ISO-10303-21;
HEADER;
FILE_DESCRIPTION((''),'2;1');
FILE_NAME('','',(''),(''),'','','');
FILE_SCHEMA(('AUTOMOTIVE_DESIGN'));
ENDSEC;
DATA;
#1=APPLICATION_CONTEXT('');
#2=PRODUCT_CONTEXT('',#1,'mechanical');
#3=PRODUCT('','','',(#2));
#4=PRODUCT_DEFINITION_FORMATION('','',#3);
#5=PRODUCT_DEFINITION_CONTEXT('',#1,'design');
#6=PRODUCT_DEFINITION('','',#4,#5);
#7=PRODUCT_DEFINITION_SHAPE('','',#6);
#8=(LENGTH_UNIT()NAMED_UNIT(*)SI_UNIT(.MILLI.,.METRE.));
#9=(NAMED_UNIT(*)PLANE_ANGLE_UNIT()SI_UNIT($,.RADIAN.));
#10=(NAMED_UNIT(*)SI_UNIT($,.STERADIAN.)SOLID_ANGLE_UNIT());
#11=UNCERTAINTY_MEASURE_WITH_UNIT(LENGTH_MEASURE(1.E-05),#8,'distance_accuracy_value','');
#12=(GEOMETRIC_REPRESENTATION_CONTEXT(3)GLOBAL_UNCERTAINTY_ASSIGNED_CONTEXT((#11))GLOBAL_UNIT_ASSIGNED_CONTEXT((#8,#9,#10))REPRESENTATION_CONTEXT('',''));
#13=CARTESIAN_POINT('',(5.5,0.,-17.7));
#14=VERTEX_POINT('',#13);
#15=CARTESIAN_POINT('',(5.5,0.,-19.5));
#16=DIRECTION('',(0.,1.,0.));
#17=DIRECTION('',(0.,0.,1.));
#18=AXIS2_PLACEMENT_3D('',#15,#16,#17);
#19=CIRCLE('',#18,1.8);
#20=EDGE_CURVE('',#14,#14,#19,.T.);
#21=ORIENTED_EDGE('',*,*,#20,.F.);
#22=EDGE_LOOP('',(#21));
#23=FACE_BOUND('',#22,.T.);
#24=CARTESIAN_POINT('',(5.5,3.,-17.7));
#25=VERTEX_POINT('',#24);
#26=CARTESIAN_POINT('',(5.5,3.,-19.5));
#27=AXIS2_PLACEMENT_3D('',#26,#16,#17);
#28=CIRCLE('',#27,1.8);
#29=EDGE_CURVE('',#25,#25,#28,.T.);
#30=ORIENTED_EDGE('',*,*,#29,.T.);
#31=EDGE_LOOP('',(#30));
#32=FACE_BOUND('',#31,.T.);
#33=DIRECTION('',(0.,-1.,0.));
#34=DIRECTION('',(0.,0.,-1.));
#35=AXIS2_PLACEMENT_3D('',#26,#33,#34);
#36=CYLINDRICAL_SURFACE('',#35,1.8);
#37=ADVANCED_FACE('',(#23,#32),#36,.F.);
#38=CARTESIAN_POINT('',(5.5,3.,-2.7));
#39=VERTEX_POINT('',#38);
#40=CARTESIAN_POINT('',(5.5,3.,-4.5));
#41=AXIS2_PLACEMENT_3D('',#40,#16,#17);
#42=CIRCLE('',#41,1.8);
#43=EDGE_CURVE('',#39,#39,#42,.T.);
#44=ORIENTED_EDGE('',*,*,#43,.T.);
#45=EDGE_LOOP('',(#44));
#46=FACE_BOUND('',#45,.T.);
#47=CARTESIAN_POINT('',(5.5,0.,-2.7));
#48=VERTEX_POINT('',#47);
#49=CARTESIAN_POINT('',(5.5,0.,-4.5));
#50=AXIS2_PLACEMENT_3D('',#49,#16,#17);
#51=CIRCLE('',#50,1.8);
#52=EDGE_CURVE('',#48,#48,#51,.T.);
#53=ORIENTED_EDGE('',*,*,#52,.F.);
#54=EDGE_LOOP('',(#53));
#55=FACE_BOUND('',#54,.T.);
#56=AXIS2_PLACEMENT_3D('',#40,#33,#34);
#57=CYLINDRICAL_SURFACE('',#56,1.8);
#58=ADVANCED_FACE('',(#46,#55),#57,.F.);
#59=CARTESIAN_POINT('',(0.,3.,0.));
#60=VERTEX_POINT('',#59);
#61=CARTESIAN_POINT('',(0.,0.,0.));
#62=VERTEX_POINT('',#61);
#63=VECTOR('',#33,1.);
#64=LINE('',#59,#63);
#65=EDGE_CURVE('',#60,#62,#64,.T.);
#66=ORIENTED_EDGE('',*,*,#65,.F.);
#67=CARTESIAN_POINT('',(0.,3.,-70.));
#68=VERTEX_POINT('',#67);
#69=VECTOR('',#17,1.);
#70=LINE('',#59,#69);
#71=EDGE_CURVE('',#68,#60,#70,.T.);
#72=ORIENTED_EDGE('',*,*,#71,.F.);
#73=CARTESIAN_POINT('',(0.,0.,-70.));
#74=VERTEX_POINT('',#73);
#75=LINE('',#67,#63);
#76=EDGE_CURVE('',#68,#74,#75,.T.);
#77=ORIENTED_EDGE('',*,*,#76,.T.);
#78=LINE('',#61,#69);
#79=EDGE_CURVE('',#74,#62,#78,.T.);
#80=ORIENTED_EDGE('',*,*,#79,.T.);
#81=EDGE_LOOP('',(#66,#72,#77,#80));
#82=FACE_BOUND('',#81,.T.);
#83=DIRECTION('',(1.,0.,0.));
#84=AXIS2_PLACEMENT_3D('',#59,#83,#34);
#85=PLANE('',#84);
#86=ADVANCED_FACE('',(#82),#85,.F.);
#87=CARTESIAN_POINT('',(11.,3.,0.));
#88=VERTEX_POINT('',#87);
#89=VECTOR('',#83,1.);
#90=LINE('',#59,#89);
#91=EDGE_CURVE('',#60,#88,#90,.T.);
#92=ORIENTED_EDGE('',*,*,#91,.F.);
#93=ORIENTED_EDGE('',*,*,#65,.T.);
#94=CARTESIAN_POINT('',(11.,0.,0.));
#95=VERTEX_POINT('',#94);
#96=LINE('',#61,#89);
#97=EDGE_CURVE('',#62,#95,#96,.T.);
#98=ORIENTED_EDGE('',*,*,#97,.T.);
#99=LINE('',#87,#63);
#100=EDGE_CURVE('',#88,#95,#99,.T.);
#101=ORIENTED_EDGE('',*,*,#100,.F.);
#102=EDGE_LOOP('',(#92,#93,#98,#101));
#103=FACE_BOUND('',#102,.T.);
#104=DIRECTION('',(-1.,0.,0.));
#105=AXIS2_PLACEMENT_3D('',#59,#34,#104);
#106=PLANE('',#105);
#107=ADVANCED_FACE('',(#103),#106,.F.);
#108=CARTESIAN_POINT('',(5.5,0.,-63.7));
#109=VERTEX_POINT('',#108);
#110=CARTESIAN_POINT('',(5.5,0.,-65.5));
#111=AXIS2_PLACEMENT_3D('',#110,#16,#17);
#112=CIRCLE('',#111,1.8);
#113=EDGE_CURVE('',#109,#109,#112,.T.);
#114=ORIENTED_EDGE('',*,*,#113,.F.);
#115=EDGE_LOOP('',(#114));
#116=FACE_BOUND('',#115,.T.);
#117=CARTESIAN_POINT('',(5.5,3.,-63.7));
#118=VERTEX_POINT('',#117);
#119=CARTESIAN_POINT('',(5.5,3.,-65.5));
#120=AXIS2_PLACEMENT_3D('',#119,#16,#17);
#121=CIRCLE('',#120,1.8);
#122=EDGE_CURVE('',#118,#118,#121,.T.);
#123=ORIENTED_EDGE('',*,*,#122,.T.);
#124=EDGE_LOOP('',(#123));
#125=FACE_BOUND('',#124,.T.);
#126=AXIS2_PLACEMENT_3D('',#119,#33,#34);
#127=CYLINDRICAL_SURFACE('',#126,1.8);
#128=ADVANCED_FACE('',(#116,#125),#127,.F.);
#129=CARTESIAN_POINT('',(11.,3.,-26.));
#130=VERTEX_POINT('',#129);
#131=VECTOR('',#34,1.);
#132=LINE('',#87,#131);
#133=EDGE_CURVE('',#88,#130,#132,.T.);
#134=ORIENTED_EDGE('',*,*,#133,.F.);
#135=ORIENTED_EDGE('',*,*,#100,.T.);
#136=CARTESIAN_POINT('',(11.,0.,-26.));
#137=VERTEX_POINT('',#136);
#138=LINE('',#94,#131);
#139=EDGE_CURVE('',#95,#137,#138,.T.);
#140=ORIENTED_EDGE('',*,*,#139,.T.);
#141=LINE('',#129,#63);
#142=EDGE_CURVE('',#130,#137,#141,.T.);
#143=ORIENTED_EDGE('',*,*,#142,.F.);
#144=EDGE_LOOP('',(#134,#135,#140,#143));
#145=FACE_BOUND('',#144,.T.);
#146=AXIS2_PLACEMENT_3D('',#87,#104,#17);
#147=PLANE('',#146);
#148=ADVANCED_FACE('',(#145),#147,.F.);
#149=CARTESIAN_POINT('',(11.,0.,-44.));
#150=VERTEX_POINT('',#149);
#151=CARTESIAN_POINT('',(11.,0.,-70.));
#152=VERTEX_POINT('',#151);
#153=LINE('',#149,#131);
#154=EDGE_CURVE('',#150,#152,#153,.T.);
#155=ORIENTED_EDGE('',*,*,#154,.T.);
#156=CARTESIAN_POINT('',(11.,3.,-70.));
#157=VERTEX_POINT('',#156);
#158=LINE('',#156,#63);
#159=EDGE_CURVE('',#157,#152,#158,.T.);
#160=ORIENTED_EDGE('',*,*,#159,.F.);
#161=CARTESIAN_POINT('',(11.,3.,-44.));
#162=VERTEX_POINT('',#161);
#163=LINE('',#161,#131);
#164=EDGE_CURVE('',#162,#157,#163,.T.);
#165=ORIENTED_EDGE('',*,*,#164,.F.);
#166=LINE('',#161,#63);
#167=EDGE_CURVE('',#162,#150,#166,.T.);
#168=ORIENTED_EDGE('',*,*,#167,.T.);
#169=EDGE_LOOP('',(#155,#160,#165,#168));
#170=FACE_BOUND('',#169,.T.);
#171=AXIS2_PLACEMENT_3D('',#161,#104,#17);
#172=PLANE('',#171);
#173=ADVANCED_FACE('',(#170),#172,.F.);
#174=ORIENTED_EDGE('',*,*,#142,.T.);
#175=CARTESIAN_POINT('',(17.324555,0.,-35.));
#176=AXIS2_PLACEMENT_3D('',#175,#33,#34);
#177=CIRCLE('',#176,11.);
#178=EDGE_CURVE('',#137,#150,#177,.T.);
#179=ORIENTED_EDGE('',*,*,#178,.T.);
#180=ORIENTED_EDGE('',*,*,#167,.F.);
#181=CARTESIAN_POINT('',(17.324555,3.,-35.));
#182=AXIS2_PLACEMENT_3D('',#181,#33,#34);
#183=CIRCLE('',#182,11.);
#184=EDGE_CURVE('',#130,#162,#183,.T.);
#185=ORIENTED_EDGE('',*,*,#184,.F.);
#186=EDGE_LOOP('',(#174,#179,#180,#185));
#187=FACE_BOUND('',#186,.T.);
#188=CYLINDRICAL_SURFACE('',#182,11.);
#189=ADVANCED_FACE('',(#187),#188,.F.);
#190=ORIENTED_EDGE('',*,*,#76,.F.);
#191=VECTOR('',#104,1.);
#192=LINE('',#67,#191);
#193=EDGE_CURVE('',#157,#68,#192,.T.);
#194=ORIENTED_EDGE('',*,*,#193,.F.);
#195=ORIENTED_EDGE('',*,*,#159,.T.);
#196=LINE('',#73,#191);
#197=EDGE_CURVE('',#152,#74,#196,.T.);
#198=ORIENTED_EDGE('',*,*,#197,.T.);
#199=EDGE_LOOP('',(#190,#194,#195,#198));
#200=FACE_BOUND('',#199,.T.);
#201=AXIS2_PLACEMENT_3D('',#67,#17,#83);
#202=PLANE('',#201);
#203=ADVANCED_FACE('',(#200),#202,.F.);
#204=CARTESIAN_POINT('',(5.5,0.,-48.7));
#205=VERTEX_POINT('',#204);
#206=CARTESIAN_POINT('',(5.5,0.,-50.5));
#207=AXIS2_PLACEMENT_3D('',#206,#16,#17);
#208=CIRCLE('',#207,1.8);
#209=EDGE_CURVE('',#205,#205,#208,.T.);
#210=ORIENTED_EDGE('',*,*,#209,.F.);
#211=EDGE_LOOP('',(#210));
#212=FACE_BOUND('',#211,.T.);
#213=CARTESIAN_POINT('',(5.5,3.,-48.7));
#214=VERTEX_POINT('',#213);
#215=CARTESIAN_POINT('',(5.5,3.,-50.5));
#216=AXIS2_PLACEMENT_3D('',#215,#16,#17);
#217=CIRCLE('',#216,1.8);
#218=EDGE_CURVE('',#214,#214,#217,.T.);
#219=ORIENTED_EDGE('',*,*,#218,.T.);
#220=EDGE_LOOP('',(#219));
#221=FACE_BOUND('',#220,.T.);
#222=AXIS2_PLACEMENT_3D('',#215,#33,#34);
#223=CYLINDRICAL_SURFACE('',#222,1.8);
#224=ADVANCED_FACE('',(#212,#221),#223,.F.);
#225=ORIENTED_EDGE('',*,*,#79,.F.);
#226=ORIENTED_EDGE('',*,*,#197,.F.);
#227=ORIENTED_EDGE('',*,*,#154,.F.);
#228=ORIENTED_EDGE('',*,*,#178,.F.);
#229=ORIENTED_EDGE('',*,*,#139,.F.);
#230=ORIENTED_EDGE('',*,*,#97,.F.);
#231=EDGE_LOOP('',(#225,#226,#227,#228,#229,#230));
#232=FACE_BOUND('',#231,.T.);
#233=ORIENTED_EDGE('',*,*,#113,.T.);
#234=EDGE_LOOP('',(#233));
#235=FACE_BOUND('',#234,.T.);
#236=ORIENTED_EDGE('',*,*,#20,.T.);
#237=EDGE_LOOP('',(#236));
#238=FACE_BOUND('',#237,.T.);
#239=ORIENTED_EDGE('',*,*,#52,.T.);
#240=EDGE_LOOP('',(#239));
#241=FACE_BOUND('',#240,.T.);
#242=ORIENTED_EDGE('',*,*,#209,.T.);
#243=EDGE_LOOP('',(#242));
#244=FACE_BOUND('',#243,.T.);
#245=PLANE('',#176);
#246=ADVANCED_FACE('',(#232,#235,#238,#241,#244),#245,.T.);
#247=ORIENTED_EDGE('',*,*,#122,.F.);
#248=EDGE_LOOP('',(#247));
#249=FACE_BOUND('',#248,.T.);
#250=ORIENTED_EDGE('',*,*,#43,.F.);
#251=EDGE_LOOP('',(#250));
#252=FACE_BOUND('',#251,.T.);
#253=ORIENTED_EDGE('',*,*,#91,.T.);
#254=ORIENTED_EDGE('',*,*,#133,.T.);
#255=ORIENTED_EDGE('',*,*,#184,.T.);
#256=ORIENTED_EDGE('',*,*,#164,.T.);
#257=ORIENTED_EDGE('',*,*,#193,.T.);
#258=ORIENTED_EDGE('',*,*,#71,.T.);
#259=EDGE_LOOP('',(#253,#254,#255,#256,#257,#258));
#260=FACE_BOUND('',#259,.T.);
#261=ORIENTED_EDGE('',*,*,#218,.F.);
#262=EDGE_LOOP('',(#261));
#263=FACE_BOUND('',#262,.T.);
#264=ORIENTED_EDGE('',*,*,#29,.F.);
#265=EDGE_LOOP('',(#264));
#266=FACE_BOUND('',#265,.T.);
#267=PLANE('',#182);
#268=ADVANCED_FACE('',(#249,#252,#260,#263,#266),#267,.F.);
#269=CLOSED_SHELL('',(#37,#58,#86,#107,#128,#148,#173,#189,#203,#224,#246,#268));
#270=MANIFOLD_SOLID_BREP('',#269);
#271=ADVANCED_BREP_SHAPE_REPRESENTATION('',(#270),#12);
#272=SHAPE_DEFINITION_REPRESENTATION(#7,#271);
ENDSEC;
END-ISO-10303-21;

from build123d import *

# Parameters (mm, degrees)
SKETCH1_R           = 1.8
BOSS_EXTRUDE1_DEPTH = 3


with BuildPart() as part:
    # Sketch1 → Boss-Extrude1 (new body)
    with BuildSketch(Plane(origin=(0, 0, 0), x_dir=(1, 0, 0), z_dir=(0, 1, 0))):
        with BuildLine():
            Line((11, 44), (11, 70))
            Line((11, 70), (0, 70))
            Line((0, 70), (0, 0))
            Line((0, 0), (11, 0))
            Line((11, 0), (11, 26))
            ThreePointArc((11, 26), (6.32455532, 35), (11, 44))
        make_face()
        with Locations((5.5, 65.5)):
            Circle(SKETCH1_R, mode=Mode.SUBTRACT)
        with Locations((5.5, 4.5)):
            Circle(SKETCH1_R, mode=Mode.SUBTRACT)
        with Locations((5.5, 19.5)):
            Circle(SKETCH1_R, mode=Mode.SUBTRACT)
        with Locations((5.5, 50.5)):
            Circle(SKETCH1_R, mode=Mode.SUBTRACT)
    extrude(amount=BOSS_EXTRUDE1_DEPTH)


solid = part.part
